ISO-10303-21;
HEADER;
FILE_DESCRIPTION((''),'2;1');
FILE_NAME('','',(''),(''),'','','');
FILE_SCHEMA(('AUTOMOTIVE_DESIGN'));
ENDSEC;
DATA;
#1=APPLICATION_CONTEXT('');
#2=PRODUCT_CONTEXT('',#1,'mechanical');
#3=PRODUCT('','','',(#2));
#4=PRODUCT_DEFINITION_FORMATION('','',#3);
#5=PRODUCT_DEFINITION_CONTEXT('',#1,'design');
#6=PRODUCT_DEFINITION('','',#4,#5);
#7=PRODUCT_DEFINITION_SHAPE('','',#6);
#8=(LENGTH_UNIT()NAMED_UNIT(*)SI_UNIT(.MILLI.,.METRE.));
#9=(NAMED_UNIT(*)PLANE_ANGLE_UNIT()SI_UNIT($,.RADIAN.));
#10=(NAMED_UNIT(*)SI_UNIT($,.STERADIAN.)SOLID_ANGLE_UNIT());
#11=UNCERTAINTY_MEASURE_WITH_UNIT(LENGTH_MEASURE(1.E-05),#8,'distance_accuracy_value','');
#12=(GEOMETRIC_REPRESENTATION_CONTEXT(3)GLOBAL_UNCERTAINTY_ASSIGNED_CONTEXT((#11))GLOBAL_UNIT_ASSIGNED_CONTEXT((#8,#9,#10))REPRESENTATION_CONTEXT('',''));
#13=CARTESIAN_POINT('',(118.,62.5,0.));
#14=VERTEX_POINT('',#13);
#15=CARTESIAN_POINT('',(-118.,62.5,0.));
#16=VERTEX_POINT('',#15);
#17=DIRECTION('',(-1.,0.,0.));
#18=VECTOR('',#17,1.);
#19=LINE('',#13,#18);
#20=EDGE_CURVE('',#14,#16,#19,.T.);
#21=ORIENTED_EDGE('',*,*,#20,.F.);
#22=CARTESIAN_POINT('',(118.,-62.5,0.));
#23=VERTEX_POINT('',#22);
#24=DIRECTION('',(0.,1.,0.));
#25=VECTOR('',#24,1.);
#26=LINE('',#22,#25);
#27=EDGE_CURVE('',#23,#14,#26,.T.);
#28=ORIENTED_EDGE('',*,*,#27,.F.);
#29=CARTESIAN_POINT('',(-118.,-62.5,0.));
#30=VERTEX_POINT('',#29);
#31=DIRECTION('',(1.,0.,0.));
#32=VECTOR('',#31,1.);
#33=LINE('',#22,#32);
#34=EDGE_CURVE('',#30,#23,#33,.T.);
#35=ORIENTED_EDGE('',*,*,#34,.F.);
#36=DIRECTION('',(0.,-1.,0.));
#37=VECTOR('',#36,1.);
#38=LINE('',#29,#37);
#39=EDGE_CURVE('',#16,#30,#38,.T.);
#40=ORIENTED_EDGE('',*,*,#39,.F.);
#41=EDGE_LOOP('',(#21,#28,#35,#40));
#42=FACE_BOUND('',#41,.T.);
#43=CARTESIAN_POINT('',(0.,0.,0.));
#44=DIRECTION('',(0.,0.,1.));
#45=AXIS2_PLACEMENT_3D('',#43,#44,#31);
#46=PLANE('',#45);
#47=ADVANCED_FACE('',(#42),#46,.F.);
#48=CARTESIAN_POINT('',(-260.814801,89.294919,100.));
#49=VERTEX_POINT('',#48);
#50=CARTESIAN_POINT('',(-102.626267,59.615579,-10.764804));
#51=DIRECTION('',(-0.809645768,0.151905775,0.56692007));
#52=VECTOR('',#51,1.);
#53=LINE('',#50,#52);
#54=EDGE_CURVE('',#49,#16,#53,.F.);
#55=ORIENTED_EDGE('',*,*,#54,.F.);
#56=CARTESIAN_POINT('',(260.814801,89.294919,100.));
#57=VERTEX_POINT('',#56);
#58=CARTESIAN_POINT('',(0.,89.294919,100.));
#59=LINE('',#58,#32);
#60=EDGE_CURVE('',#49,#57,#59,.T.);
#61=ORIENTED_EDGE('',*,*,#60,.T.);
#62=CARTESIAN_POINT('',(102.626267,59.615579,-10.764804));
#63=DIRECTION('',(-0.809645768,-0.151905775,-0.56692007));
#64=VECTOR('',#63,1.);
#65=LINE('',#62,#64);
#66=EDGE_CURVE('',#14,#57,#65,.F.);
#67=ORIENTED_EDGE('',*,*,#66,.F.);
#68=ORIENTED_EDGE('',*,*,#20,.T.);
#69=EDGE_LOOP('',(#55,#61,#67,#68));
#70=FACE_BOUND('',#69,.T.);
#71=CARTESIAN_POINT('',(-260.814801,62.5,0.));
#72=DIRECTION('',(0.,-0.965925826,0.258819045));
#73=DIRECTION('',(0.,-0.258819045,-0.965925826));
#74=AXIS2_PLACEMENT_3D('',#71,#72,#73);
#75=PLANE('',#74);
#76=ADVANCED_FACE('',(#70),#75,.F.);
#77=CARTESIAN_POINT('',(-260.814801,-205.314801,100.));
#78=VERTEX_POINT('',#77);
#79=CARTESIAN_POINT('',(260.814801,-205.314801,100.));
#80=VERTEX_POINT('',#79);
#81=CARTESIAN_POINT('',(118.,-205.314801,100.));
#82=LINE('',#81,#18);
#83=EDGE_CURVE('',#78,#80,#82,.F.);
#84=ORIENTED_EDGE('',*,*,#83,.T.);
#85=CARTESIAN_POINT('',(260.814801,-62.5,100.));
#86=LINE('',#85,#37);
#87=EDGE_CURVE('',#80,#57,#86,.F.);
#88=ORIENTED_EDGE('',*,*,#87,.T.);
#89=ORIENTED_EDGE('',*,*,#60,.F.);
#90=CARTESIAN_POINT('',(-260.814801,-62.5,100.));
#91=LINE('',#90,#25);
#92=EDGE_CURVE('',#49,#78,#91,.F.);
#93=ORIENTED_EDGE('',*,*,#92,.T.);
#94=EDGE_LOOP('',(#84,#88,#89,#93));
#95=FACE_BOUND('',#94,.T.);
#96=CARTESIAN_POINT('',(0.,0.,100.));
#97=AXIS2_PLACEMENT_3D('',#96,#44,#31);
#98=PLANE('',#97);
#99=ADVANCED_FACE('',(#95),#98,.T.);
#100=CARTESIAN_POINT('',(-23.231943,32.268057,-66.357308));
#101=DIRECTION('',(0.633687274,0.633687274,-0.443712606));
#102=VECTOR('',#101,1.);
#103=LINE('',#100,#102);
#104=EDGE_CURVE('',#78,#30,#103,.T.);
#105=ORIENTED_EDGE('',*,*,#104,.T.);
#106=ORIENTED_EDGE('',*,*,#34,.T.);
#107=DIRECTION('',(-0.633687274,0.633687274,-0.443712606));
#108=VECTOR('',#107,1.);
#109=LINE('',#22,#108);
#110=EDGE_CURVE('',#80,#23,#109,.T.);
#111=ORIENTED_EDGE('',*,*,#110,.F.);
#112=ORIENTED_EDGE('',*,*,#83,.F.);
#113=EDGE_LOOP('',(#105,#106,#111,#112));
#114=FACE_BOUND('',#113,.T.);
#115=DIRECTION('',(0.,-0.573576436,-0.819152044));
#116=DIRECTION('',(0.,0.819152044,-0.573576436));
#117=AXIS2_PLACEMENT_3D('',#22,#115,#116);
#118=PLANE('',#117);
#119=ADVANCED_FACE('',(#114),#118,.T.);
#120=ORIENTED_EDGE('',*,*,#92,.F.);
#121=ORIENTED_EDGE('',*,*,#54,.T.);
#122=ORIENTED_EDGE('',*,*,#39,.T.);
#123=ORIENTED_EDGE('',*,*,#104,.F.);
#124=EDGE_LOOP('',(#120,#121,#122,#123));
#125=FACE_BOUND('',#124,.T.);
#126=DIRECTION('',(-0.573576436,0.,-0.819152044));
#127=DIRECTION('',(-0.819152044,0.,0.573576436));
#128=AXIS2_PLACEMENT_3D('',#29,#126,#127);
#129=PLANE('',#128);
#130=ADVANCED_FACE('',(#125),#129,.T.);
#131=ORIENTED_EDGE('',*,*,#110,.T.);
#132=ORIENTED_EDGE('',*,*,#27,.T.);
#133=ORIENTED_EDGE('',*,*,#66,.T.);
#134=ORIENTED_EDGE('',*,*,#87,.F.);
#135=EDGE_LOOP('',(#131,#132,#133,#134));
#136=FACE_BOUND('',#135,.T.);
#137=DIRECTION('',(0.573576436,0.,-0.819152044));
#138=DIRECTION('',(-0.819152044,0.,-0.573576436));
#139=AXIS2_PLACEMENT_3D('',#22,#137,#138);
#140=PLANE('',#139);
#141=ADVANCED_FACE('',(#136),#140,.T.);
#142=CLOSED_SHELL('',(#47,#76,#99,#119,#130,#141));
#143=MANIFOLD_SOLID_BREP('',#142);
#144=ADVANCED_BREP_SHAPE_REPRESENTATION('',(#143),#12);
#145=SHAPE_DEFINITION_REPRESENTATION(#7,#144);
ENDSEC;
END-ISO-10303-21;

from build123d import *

# Parameters (mm, degrees)
SKETCH_7_W               = 236
SKETCH_7_H               = 125
EXTRUDE_7_DEPTH          = 100
EXTRUDE_7_TAPER          = -55
CUT_EXTRUDE_1_DEPTH      = 347.667748341
CUT_EXTRUDE_1_DEPTH_BACK = 347.667748341


with BuildPart() as part:
    # 草图7 → 凸台-拉伸7 (new body)
    with BuildSketch(Plane.XY):
        Rectangle(SKETCH_7_W, SKETCH_7_H)
    extrude(amount=EXTRUDE_7_DEPTH, taper=EXTRUDE_7_TAPER)

    # 草图9 → 切除-拉伸1 (cut, two sides: drawn at the far end of the back side and taken through both)
    with BuildSketch(Plane(origin=(0, 0, 0), x_dir=(0, 0, -1), z_dir=(1, 0, 0)).offset(-CUT_EXTRUDE_1_DEPTH_BACK)):
        Polygon((0, 62.5), (-205.943924003, 117.682508123), (-205.943924003, 317.682508123), (0, 317.682508123), align=None)
    extrude(amount=CUT_EXTRUDE_1_DEPTH + CUT_EXTRUDE_1_DEPTH_BACK, mode=Mode.SUBTRACT)


solid = part.part
